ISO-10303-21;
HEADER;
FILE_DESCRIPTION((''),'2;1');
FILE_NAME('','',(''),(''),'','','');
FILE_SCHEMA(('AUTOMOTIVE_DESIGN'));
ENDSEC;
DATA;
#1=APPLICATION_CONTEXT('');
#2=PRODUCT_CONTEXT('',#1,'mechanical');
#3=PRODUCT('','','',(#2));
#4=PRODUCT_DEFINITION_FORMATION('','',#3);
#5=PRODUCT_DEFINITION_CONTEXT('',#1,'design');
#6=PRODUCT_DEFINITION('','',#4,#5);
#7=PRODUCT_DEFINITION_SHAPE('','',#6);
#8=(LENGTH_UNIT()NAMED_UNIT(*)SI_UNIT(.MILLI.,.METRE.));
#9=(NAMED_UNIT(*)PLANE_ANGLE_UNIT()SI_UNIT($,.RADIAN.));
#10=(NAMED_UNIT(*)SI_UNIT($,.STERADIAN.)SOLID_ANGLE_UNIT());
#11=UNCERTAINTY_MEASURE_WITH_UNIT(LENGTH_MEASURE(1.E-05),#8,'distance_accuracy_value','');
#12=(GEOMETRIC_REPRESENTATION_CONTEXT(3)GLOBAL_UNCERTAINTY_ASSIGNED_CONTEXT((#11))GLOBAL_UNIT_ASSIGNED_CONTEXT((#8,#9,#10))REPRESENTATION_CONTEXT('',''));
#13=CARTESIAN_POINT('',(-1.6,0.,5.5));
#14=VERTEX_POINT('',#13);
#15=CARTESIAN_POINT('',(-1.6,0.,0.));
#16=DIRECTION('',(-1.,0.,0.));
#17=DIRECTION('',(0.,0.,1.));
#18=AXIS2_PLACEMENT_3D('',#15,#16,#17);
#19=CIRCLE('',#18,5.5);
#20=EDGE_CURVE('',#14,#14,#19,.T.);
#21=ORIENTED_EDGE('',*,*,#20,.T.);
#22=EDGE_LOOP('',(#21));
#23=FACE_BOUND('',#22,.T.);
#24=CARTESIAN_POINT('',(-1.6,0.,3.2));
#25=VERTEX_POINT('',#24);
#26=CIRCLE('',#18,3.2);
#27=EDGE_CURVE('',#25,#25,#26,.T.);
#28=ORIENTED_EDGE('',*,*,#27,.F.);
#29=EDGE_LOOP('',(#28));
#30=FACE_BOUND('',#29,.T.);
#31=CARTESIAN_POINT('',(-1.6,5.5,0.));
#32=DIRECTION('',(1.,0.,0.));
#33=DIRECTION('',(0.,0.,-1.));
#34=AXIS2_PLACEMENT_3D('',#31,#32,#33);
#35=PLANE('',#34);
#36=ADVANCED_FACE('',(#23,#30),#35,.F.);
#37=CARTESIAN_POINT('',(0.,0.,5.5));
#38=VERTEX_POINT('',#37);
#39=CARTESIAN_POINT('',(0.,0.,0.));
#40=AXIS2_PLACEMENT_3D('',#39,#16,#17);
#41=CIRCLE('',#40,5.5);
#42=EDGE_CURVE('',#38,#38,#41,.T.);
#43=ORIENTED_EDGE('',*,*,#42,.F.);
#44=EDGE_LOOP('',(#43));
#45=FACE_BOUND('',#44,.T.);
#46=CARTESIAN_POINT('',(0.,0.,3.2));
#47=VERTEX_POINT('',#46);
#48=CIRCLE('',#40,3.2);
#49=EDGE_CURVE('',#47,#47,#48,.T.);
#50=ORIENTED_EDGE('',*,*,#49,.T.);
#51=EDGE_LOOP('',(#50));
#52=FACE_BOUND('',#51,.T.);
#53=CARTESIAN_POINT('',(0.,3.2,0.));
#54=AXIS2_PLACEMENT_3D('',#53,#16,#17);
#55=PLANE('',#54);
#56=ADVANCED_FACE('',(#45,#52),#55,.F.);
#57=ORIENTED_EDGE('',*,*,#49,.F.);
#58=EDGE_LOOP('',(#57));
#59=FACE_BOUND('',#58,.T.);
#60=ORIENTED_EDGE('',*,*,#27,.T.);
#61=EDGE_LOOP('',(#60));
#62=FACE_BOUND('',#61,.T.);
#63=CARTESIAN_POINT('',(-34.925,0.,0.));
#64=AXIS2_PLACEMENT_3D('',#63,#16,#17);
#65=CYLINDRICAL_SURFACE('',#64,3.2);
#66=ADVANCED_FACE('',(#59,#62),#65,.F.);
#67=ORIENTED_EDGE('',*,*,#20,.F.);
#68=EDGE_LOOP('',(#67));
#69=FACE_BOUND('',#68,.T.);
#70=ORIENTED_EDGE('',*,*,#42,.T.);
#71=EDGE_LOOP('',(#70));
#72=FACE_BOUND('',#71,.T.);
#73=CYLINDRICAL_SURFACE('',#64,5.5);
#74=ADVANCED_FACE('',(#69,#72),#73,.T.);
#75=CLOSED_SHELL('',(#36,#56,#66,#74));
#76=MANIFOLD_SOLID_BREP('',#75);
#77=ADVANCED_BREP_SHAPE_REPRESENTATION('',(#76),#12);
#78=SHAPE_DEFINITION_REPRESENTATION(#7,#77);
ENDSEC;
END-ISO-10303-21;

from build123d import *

# Parameters (mm, degrees)
SKETCH1_W = 1.6
SKETCH1_H = 2.3


with BuildPart() as part:
    # Sketch1 → Base-Revolve (revolve)
    with BuildSketch(Plane.XY):
        with Locations((-0.8, 4.35)):
            Rectangle(SKETCH1_W, SKETCH1_H)
    revolve(axis=Axis((-34.925, 0, 0), (1, 0, 0)))


solid = part.part
